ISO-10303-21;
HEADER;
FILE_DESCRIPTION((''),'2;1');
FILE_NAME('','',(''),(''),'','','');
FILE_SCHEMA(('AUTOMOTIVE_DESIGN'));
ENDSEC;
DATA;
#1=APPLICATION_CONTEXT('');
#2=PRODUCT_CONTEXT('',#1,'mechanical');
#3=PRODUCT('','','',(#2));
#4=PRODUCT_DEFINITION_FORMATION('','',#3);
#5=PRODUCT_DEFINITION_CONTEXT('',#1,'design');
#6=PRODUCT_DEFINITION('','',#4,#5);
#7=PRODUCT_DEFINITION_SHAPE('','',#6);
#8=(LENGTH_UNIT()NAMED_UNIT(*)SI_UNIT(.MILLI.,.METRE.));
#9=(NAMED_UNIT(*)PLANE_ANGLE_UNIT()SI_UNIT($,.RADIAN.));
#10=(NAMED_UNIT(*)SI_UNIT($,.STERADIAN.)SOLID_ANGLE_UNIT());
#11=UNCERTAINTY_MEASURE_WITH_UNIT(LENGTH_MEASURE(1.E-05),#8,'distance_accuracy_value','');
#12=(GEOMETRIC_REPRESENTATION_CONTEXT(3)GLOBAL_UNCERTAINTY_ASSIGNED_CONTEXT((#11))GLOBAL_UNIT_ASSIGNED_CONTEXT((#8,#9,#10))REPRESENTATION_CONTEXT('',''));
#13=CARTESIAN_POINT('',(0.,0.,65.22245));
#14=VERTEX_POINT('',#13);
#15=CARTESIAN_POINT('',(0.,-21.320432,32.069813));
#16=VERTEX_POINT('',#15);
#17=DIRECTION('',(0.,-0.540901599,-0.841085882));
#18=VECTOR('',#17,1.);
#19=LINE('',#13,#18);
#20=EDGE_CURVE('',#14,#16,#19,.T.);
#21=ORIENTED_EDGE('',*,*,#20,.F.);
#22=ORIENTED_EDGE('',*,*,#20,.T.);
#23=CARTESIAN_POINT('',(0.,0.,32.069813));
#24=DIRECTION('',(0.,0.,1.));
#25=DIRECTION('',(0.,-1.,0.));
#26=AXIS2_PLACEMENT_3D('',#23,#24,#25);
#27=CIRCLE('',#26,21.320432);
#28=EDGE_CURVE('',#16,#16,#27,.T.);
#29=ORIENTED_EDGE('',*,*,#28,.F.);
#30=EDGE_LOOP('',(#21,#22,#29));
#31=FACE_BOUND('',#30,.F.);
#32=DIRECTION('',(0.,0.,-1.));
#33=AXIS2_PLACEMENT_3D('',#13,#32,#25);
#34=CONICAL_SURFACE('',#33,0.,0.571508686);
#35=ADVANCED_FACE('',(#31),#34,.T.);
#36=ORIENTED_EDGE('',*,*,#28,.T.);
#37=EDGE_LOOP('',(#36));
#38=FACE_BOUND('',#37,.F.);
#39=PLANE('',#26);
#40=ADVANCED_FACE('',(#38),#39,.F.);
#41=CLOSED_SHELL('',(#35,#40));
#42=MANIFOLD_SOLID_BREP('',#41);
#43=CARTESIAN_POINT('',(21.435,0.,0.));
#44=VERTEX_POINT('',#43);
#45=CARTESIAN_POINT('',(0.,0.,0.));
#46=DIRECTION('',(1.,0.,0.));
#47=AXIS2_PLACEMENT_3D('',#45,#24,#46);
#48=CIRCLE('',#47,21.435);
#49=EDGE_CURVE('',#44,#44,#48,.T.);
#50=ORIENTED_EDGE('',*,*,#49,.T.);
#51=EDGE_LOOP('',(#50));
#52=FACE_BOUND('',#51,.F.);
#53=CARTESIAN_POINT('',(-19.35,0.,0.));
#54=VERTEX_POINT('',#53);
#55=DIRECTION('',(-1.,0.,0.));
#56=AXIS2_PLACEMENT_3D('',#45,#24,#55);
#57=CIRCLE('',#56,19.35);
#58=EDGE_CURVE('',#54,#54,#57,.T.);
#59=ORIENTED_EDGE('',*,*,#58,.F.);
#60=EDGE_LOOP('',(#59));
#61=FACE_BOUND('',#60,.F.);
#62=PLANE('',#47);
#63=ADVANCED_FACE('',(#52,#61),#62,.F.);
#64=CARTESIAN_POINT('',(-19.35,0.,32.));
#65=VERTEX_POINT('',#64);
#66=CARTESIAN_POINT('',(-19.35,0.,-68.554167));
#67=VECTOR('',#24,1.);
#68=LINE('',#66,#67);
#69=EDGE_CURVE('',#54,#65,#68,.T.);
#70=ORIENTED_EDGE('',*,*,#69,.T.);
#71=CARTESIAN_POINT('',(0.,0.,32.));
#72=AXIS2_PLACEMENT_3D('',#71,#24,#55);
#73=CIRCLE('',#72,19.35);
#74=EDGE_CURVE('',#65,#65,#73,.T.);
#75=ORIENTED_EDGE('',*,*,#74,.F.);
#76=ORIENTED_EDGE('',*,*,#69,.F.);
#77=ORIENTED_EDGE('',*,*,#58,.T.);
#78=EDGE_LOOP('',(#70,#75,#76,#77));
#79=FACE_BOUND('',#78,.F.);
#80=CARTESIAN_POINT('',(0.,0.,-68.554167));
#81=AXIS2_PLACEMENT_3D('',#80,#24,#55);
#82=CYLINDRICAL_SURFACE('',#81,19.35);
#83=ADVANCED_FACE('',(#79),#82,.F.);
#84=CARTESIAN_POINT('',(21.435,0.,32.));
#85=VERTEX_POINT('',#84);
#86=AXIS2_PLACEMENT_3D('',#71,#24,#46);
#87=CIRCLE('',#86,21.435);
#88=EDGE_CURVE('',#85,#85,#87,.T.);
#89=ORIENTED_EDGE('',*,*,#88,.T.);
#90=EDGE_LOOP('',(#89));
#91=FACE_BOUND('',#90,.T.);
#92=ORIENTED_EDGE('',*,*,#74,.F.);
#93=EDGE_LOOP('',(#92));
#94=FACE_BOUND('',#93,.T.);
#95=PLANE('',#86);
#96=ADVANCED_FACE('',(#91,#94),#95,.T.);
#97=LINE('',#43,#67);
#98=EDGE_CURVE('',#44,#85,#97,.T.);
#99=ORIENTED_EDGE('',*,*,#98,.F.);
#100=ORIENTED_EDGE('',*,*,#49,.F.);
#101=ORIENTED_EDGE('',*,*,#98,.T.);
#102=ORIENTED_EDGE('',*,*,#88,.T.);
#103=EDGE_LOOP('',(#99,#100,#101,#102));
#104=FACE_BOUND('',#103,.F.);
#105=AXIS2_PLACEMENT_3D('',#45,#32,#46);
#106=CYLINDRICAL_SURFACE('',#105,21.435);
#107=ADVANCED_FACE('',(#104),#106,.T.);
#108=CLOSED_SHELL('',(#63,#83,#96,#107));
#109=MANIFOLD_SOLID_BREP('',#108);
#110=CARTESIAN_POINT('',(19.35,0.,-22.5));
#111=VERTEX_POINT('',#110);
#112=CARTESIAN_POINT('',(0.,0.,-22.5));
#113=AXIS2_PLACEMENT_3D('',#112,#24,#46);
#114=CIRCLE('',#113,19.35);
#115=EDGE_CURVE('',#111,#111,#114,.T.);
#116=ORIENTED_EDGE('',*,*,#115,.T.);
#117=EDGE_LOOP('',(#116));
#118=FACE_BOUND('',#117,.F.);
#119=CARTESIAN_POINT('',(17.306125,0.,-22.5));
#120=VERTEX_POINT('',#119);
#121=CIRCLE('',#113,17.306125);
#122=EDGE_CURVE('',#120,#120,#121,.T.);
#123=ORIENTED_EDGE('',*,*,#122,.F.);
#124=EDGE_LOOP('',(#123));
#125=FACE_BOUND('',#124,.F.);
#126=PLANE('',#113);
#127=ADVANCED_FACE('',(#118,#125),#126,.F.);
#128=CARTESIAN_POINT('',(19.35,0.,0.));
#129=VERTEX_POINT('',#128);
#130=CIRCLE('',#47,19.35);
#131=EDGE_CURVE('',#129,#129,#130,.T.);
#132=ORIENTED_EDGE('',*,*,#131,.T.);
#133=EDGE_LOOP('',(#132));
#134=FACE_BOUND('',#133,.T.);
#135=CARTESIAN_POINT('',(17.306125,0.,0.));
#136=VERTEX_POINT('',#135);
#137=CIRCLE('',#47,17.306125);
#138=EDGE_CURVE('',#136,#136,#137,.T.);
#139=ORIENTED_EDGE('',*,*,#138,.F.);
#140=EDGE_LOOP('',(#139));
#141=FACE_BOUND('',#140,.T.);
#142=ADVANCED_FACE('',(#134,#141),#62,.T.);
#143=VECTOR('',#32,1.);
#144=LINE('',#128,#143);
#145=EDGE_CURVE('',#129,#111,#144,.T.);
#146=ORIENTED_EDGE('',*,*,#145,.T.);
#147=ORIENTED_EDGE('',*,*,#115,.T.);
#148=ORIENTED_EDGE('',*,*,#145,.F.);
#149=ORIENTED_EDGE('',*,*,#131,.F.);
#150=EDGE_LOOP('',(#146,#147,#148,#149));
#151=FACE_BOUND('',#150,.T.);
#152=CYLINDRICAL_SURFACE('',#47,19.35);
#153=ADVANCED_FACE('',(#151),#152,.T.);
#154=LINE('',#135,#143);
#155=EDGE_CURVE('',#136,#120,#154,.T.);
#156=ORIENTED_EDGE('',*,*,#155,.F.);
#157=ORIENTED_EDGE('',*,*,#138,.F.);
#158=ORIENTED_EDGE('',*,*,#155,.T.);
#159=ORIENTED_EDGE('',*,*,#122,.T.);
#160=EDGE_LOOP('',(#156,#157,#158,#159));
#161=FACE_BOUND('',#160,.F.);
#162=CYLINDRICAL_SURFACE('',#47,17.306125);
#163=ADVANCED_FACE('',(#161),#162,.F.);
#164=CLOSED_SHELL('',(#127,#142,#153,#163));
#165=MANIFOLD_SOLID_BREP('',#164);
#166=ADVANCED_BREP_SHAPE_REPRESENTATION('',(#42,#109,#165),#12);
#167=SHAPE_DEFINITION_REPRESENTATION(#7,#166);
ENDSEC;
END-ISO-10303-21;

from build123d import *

# Parameters (mm, degrees)
F0_R     = 21.435
F1_DEPTH = 32
F3_D     = 38.7
F7_R     = 19.35
F7_R_2   = 17.306125
F8_DEPTH = 22.5


with BuildPart() as f1:
    # F0 (on Top) → F1 (new body)
    with BuildSketch(Plane.XY):
        Circle(F0_R)
    extrude(amount=F1_DEPTH)

    # F3 (through all)
    with Locations(Plane(origin=(0, 0, 0), x_dir=(1, 0, 0), z_dir=(0, 0, -1))):
        with Locations((0, 0)):
            Hole(F3_D / 2)


with BuildPart() as f6:
    # F5 (on Right) → F6 (revolve)
    with BuildSketch(Plane.YZ):
        Polygon((0, 32.069813), (0, 32.339215), (0, 65.22245), (-21.320432, 32.069813), align=None)
    revolve(axis=Axis((0, 0, 16.295785), (0, 0, 1)))


with BuildPart() as f8:
    # F7 (on Top) → F8 (new body)
    with BuildSketch(Plane.XY):
        Circle(F7_R)
        Circle(F7_R_2, mode=Mode.SUBTRACT)
    extrude(amount=-F8_DEPTH)


solid = Compound([f1.part, f6.part, f8.part])
